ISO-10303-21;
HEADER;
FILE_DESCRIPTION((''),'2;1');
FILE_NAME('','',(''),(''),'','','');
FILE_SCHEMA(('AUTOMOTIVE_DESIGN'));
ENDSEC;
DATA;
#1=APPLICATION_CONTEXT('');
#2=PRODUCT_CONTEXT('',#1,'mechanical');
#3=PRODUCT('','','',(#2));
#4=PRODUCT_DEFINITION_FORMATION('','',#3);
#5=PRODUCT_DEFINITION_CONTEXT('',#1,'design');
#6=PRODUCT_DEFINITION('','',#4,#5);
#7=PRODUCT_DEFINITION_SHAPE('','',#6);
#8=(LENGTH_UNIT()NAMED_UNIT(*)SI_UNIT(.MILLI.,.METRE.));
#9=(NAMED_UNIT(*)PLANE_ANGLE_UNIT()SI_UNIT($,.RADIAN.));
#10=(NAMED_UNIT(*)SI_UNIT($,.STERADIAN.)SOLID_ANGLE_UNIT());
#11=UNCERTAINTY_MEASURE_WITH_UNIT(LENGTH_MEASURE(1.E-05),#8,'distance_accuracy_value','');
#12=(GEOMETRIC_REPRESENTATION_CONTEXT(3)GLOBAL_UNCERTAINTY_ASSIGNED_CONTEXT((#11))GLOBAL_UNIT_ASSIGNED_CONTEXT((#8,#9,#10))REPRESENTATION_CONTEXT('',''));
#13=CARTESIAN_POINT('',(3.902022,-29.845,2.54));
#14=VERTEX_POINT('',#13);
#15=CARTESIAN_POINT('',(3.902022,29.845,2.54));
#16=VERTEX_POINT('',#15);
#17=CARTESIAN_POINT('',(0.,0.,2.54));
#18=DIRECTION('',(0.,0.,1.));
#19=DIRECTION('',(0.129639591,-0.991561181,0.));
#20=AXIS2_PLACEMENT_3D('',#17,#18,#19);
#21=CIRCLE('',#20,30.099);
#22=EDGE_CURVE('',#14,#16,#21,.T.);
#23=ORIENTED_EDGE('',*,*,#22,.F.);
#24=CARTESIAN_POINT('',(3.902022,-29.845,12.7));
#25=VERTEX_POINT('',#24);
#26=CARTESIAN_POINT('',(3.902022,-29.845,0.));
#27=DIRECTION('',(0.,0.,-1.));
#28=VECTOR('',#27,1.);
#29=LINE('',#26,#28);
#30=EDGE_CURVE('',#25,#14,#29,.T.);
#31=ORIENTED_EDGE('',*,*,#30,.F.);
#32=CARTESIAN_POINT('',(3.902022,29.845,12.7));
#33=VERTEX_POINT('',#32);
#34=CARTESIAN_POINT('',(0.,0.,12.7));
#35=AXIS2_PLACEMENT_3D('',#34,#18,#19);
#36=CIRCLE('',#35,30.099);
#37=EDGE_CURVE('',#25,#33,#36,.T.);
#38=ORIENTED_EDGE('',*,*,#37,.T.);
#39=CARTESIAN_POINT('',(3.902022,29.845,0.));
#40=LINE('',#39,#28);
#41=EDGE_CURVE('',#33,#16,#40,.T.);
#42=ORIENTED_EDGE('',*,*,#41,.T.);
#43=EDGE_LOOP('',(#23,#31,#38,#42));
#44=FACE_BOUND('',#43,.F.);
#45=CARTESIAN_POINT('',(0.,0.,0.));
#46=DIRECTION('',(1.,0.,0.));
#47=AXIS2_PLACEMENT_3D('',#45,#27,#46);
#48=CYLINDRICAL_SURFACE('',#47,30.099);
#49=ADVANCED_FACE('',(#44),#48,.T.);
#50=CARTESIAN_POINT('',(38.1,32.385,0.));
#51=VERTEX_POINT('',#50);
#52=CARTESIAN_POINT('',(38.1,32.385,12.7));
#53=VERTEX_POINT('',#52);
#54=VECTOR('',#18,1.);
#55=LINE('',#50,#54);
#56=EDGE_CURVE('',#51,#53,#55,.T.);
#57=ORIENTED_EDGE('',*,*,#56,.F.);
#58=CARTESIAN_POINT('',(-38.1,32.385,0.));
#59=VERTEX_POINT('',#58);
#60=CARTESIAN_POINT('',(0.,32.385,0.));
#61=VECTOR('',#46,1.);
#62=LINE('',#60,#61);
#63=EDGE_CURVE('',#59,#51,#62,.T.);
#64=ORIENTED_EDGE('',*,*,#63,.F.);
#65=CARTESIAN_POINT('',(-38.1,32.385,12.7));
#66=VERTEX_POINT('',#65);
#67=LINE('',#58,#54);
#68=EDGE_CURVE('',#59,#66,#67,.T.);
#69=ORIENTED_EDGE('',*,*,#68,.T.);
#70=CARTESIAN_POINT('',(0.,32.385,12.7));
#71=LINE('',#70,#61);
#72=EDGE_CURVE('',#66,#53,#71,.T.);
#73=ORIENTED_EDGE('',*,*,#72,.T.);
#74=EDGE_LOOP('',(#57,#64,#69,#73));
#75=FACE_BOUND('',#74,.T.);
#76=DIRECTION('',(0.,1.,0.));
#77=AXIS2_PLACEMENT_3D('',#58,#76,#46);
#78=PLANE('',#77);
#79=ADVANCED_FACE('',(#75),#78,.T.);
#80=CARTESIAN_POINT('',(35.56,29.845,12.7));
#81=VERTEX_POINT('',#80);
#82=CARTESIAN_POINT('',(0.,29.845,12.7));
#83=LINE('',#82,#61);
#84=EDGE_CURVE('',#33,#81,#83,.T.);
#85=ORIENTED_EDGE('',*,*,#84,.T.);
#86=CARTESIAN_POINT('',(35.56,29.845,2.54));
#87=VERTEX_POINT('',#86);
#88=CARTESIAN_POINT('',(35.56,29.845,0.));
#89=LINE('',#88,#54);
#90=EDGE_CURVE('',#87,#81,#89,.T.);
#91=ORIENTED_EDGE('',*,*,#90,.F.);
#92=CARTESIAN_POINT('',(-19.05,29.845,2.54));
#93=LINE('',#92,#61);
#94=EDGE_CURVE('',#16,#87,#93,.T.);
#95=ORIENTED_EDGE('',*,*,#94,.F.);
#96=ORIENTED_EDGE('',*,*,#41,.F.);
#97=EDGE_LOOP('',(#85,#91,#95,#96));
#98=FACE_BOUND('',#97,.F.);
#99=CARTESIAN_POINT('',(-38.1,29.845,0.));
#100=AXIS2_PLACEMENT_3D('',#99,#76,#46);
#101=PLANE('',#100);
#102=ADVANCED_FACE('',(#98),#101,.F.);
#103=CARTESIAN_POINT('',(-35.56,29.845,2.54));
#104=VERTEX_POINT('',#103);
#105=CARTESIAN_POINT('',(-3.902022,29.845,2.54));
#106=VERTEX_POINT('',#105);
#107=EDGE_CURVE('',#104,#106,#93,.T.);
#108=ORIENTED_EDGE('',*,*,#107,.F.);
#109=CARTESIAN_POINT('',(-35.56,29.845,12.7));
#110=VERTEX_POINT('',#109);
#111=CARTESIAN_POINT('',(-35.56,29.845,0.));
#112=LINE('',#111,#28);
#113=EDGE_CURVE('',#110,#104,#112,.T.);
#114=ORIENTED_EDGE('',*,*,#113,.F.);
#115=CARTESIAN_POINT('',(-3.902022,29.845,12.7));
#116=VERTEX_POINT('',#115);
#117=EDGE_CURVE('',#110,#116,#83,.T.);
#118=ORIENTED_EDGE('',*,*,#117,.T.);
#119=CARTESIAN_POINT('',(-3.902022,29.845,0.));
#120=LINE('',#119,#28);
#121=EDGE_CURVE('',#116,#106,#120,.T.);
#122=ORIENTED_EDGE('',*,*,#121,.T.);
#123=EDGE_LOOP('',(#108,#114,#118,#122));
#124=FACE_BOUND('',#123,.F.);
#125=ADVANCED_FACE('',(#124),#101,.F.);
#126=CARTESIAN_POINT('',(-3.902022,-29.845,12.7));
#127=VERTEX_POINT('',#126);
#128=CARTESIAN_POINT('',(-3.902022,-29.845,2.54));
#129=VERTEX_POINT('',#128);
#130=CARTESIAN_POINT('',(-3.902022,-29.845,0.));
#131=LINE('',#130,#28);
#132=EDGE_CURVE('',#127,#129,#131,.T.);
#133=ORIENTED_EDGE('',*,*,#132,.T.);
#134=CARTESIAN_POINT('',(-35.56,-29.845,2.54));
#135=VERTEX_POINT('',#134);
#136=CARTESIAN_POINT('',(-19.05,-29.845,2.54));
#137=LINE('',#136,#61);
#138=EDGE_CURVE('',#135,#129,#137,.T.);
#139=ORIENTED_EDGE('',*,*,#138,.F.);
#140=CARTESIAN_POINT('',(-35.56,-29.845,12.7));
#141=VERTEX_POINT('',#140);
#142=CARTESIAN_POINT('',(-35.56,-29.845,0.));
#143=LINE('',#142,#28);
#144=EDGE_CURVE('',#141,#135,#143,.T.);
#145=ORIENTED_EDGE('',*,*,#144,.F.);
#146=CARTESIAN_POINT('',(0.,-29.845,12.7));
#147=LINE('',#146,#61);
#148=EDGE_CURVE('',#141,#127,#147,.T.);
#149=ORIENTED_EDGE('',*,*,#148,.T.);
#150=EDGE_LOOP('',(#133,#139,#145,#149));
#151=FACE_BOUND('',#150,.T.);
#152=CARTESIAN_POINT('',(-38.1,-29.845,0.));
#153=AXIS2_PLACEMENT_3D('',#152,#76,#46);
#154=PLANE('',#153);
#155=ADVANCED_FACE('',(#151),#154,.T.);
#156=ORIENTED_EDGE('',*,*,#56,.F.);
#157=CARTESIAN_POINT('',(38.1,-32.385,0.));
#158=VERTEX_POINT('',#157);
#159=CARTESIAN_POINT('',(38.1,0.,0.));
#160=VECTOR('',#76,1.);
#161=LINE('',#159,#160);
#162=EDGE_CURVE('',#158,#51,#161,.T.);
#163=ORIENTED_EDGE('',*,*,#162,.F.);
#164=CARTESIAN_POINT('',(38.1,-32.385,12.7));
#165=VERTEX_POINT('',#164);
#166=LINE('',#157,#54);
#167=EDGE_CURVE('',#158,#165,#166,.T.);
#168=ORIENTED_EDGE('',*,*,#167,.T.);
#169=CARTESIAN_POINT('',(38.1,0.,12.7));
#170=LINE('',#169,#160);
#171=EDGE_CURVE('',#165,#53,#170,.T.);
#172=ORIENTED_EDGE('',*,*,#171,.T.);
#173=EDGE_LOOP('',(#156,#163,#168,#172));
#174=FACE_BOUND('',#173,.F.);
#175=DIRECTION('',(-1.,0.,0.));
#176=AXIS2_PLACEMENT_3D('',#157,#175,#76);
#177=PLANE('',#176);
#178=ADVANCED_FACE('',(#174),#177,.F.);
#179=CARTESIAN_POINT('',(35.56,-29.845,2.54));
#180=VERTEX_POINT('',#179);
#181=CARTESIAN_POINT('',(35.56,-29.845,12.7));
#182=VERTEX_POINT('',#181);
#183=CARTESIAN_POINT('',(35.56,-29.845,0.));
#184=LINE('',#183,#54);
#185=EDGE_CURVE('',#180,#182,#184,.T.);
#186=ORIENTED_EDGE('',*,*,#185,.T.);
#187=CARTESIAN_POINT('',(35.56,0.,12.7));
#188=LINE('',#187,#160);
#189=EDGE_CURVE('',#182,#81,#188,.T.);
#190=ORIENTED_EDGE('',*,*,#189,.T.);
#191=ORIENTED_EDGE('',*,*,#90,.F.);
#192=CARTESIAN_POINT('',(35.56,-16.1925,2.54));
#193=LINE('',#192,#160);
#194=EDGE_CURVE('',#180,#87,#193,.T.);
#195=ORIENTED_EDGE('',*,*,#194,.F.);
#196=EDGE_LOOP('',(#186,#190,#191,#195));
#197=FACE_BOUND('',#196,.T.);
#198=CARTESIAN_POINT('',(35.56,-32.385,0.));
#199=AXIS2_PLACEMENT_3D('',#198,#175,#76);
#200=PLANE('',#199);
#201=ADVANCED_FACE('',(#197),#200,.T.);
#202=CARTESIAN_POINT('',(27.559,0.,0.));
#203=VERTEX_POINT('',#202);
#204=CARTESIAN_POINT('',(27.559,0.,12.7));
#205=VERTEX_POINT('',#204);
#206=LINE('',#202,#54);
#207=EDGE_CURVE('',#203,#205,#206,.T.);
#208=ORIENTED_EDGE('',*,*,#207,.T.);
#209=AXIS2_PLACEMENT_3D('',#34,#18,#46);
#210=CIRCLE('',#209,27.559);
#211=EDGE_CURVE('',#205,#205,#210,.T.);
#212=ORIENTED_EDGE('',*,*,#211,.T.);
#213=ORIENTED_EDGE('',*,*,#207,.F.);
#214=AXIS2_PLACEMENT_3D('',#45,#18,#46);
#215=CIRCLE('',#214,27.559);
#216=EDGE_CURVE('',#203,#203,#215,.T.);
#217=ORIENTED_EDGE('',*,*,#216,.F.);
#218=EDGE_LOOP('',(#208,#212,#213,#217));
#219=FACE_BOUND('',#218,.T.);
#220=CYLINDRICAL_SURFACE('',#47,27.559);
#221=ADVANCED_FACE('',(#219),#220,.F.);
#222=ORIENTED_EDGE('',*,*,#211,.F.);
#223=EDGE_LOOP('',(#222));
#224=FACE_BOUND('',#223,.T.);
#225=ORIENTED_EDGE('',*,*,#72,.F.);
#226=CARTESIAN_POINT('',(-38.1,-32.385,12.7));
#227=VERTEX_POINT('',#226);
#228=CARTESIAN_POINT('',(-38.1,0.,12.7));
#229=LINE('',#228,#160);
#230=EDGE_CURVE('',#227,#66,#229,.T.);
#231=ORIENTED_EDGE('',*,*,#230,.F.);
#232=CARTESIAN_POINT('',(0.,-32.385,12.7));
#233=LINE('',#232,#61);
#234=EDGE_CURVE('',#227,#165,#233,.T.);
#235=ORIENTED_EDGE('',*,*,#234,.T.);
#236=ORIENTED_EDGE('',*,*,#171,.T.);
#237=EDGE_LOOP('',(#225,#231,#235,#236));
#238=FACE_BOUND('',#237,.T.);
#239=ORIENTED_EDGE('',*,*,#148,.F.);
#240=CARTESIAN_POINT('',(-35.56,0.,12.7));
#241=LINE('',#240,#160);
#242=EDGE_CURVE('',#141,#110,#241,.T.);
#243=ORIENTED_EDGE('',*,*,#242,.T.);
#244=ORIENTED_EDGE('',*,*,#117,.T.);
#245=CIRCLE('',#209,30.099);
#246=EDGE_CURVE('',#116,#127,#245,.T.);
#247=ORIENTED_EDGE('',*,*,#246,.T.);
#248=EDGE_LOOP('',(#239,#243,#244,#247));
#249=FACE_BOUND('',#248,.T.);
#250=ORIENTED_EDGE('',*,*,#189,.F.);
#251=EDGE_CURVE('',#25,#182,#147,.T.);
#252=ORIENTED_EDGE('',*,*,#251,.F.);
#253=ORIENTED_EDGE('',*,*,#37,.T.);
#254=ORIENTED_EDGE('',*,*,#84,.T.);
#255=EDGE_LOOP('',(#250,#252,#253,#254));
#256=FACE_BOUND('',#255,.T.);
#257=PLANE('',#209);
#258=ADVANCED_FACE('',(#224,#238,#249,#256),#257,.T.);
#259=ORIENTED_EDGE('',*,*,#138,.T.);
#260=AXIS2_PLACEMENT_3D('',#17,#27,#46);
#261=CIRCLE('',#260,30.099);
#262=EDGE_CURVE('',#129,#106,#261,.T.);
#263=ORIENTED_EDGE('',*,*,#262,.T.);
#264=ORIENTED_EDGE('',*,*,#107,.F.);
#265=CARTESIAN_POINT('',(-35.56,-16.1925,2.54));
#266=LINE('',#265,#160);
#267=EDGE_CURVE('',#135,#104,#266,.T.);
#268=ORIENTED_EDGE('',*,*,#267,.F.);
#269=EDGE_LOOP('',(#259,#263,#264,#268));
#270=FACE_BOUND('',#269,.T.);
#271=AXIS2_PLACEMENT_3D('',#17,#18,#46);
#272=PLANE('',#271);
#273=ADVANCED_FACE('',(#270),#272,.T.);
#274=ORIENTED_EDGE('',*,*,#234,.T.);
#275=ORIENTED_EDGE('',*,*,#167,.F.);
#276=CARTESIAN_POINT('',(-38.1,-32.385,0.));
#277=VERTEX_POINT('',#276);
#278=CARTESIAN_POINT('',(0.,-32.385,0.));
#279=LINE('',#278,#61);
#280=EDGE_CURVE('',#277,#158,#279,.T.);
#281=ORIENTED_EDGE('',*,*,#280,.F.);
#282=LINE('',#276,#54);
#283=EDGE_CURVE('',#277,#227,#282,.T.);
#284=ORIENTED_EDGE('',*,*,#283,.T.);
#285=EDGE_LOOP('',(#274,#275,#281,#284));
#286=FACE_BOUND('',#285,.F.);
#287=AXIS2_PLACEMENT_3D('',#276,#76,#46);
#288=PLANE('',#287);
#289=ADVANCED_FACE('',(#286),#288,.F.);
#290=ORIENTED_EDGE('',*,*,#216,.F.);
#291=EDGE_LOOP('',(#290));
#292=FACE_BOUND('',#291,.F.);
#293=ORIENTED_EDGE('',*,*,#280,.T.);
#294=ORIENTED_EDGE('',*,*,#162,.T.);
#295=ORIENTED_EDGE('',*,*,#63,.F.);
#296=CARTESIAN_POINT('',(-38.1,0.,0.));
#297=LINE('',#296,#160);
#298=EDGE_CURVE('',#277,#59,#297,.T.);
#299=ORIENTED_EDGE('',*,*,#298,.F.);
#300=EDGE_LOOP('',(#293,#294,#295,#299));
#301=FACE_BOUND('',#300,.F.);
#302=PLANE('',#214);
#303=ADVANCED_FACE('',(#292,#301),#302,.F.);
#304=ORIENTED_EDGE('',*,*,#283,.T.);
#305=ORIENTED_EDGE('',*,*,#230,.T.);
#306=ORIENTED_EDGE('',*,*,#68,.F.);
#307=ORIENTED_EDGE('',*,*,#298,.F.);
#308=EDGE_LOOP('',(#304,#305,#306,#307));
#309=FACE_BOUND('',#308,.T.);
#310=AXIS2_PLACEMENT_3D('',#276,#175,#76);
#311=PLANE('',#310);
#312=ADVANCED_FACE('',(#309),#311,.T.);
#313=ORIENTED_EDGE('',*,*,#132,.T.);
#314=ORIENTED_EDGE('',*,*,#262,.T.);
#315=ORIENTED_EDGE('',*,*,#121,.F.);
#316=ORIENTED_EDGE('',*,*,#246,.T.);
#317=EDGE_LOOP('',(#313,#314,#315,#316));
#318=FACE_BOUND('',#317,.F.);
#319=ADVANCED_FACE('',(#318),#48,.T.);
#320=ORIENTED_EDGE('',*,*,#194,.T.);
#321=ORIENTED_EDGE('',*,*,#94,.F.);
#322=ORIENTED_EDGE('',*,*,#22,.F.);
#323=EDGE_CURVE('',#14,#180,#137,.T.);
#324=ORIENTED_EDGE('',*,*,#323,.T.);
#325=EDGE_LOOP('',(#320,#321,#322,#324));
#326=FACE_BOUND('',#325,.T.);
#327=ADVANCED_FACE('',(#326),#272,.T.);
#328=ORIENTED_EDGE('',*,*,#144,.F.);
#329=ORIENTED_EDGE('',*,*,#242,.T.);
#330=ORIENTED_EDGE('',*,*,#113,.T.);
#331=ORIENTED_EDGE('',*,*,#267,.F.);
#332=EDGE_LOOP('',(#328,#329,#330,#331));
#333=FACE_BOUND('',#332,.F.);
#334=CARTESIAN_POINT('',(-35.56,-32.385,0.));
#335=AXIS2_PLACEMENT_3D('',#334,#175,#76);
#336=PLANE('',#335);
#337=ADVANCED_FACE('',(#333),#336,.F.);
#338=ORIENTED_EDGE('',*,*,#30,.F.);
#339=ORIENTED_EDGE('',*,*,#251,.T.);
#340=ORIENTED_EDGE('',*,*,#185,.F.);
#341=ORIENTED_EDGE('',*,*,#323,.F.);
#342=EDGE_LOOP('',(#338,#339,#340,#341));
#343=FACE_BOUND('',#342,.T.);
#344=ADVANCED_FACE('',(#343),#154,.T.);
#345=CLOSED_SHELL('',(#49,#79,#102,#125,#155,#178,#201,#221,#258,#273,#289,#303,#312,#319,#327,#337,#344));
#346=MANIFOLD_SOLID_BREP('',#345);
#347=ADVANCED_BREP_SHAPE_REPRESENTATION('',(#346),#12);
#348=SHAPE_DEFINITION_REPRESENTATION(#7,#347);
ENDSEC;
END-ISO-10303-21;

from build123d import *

# Parameters (mm, degrees)
F0_W     = 76.2
F0_H     = 64.77
F0_R     = 27.559
F1_DEPTH = 12.7
F2_T     = -2.54


with BuildPart() as f1:
    # F0 (on Top) → F1 (new body)
    with BuildSketch(Plane.XY):
        Rectangle(F0_W, F0_H)
        Circle(F0_R, mode=Mode.SUBTRACT)
    extrude(amount=F1_DEPTH)

    # F2
    f2_openings = [f1.faces().sort_by_distance(p)[0] for p in [
        (37.09992, 0, 12.7),
    ]]
    offset(amount=F2_T, openings=f2_openings)


solid = f1.part
